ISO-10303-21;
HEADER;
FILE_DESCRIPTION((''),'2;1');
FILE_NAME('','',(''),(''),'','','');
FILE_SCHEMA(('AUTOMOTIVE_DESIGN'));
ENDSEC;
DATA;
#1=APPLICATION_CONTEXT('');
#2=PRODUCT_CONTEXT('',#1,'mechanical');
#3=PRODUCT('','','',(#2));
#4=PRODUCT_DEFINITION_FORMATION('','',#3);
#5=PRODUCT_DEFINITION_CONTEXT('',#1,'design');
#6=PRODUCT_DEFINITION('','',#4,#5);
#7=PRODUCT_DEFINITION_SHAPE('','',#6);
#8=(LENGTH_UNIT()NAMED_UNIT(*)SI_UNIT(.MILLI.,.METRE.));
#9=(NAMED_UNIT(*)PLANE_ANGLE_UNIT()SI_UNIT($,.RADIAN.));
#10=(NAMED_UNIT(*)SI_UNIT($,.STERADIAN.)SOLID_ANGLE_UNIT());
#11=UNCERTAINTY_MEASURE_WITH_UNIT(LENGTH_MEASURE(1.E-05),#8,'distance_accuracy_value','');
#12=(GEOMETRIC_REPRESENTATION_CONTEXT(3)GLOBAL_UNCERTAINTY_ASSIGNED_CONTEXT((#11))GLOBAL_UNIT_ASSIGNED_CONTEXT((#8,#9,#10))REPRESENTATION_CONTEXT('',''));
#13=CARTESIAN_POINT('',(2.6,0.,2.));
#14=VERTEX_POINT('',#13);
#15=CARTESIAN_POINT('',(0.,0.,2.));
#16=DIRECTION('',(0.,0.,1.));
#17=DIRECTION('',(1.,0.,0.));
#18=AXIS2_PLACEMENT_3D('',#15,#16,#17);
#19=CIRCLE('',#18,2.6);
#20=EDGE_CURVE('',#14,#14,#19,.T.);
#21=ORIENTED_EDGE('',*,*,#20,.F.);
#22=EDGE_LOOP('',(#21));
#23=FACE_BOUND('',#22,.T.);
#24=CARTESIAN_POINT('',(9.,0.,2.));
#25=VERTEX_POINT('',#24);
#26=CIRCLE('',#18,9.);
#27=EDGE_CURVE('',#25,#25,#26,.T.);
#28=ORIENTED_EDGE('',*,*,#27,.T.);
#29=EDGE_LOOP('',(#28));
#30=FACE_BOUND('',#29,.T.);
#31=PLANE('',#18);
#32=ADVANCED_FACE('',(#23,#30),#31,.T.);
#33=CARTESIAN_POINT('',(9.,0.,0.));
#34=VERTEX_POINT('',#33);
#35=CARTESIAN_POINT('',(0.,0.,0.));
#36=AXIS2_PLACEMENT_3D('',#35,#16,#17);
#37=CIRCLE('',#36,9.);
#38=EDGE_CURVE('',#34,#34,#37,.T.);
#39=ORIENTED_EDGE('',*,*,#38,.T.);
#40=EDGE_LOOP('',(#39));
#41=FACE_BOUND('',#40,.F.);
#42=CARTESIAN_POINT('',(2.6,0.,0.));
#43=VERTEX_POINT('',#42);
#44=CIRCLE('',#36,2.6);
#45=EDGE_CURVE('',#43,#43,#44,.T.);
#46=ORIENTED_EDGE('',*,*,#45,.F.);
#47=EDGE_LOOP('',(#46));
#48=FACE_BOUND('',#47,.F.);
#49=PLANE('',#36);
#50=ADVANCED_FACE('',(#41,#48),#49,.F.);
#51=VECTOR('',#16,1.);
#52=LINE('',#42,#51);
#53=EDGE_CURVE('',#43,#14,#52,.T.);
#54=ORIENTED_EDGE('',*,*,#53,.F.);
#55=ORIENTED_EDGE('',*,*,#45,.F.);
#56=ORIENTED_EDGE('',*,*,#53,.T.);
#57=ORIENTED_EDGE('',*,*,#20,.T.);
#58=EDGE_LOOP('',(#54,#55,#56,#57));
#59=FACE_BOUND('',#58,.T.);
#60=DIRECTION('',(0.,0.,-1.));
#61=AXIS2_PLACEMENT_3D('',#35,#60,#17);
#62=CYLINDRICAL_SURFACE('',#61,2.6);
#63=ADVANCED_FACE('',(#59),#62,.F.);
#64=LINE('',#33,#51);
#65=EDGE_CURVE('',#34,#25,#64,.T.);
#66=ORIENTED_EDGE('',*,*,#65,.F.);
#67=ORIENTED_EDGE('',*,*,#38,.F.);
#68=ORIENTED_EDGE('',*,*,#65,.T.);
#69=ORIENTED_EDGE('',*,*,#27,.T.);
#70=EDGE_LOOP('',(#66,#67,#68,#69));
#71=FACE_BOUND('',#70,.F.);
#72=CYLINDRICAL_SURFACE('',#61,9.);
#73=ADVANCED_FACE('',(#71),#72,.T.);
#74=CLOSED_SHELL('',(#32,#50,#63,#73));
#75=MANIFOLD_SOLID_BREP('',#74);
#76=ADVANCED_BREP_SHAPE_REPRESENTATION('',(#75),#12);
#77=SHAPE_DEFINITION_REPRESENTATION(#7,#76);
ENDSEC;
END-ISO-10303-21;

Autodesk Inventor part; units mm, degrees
ref_plane "YZ Plane" through (0, 0, 0) normal (1, 0, 0) x (0, 1, 0)
ref_plane "XZ Plane" through (0, 0, 0) normal (0, 1, 0) x (-1, 0, 0)
ref_plane "XY Plane" through (0, 0, 0) normal (0, 0, 1) x (1, 0, 0)
sketch "Sketch1" plane through (0, 0, 0) normal (0, 0, 1) x (1, 0, 0)
  circle A0 centre (0, 0) radius 9
  circle A1 centre (0, 0) radius 2.6
  dimension "d0" = 18
  dimension "d1" = 5.2
extrude "Extrusion1" add sketch "Sketch1" along normal blind 2
properties part number "washer"
